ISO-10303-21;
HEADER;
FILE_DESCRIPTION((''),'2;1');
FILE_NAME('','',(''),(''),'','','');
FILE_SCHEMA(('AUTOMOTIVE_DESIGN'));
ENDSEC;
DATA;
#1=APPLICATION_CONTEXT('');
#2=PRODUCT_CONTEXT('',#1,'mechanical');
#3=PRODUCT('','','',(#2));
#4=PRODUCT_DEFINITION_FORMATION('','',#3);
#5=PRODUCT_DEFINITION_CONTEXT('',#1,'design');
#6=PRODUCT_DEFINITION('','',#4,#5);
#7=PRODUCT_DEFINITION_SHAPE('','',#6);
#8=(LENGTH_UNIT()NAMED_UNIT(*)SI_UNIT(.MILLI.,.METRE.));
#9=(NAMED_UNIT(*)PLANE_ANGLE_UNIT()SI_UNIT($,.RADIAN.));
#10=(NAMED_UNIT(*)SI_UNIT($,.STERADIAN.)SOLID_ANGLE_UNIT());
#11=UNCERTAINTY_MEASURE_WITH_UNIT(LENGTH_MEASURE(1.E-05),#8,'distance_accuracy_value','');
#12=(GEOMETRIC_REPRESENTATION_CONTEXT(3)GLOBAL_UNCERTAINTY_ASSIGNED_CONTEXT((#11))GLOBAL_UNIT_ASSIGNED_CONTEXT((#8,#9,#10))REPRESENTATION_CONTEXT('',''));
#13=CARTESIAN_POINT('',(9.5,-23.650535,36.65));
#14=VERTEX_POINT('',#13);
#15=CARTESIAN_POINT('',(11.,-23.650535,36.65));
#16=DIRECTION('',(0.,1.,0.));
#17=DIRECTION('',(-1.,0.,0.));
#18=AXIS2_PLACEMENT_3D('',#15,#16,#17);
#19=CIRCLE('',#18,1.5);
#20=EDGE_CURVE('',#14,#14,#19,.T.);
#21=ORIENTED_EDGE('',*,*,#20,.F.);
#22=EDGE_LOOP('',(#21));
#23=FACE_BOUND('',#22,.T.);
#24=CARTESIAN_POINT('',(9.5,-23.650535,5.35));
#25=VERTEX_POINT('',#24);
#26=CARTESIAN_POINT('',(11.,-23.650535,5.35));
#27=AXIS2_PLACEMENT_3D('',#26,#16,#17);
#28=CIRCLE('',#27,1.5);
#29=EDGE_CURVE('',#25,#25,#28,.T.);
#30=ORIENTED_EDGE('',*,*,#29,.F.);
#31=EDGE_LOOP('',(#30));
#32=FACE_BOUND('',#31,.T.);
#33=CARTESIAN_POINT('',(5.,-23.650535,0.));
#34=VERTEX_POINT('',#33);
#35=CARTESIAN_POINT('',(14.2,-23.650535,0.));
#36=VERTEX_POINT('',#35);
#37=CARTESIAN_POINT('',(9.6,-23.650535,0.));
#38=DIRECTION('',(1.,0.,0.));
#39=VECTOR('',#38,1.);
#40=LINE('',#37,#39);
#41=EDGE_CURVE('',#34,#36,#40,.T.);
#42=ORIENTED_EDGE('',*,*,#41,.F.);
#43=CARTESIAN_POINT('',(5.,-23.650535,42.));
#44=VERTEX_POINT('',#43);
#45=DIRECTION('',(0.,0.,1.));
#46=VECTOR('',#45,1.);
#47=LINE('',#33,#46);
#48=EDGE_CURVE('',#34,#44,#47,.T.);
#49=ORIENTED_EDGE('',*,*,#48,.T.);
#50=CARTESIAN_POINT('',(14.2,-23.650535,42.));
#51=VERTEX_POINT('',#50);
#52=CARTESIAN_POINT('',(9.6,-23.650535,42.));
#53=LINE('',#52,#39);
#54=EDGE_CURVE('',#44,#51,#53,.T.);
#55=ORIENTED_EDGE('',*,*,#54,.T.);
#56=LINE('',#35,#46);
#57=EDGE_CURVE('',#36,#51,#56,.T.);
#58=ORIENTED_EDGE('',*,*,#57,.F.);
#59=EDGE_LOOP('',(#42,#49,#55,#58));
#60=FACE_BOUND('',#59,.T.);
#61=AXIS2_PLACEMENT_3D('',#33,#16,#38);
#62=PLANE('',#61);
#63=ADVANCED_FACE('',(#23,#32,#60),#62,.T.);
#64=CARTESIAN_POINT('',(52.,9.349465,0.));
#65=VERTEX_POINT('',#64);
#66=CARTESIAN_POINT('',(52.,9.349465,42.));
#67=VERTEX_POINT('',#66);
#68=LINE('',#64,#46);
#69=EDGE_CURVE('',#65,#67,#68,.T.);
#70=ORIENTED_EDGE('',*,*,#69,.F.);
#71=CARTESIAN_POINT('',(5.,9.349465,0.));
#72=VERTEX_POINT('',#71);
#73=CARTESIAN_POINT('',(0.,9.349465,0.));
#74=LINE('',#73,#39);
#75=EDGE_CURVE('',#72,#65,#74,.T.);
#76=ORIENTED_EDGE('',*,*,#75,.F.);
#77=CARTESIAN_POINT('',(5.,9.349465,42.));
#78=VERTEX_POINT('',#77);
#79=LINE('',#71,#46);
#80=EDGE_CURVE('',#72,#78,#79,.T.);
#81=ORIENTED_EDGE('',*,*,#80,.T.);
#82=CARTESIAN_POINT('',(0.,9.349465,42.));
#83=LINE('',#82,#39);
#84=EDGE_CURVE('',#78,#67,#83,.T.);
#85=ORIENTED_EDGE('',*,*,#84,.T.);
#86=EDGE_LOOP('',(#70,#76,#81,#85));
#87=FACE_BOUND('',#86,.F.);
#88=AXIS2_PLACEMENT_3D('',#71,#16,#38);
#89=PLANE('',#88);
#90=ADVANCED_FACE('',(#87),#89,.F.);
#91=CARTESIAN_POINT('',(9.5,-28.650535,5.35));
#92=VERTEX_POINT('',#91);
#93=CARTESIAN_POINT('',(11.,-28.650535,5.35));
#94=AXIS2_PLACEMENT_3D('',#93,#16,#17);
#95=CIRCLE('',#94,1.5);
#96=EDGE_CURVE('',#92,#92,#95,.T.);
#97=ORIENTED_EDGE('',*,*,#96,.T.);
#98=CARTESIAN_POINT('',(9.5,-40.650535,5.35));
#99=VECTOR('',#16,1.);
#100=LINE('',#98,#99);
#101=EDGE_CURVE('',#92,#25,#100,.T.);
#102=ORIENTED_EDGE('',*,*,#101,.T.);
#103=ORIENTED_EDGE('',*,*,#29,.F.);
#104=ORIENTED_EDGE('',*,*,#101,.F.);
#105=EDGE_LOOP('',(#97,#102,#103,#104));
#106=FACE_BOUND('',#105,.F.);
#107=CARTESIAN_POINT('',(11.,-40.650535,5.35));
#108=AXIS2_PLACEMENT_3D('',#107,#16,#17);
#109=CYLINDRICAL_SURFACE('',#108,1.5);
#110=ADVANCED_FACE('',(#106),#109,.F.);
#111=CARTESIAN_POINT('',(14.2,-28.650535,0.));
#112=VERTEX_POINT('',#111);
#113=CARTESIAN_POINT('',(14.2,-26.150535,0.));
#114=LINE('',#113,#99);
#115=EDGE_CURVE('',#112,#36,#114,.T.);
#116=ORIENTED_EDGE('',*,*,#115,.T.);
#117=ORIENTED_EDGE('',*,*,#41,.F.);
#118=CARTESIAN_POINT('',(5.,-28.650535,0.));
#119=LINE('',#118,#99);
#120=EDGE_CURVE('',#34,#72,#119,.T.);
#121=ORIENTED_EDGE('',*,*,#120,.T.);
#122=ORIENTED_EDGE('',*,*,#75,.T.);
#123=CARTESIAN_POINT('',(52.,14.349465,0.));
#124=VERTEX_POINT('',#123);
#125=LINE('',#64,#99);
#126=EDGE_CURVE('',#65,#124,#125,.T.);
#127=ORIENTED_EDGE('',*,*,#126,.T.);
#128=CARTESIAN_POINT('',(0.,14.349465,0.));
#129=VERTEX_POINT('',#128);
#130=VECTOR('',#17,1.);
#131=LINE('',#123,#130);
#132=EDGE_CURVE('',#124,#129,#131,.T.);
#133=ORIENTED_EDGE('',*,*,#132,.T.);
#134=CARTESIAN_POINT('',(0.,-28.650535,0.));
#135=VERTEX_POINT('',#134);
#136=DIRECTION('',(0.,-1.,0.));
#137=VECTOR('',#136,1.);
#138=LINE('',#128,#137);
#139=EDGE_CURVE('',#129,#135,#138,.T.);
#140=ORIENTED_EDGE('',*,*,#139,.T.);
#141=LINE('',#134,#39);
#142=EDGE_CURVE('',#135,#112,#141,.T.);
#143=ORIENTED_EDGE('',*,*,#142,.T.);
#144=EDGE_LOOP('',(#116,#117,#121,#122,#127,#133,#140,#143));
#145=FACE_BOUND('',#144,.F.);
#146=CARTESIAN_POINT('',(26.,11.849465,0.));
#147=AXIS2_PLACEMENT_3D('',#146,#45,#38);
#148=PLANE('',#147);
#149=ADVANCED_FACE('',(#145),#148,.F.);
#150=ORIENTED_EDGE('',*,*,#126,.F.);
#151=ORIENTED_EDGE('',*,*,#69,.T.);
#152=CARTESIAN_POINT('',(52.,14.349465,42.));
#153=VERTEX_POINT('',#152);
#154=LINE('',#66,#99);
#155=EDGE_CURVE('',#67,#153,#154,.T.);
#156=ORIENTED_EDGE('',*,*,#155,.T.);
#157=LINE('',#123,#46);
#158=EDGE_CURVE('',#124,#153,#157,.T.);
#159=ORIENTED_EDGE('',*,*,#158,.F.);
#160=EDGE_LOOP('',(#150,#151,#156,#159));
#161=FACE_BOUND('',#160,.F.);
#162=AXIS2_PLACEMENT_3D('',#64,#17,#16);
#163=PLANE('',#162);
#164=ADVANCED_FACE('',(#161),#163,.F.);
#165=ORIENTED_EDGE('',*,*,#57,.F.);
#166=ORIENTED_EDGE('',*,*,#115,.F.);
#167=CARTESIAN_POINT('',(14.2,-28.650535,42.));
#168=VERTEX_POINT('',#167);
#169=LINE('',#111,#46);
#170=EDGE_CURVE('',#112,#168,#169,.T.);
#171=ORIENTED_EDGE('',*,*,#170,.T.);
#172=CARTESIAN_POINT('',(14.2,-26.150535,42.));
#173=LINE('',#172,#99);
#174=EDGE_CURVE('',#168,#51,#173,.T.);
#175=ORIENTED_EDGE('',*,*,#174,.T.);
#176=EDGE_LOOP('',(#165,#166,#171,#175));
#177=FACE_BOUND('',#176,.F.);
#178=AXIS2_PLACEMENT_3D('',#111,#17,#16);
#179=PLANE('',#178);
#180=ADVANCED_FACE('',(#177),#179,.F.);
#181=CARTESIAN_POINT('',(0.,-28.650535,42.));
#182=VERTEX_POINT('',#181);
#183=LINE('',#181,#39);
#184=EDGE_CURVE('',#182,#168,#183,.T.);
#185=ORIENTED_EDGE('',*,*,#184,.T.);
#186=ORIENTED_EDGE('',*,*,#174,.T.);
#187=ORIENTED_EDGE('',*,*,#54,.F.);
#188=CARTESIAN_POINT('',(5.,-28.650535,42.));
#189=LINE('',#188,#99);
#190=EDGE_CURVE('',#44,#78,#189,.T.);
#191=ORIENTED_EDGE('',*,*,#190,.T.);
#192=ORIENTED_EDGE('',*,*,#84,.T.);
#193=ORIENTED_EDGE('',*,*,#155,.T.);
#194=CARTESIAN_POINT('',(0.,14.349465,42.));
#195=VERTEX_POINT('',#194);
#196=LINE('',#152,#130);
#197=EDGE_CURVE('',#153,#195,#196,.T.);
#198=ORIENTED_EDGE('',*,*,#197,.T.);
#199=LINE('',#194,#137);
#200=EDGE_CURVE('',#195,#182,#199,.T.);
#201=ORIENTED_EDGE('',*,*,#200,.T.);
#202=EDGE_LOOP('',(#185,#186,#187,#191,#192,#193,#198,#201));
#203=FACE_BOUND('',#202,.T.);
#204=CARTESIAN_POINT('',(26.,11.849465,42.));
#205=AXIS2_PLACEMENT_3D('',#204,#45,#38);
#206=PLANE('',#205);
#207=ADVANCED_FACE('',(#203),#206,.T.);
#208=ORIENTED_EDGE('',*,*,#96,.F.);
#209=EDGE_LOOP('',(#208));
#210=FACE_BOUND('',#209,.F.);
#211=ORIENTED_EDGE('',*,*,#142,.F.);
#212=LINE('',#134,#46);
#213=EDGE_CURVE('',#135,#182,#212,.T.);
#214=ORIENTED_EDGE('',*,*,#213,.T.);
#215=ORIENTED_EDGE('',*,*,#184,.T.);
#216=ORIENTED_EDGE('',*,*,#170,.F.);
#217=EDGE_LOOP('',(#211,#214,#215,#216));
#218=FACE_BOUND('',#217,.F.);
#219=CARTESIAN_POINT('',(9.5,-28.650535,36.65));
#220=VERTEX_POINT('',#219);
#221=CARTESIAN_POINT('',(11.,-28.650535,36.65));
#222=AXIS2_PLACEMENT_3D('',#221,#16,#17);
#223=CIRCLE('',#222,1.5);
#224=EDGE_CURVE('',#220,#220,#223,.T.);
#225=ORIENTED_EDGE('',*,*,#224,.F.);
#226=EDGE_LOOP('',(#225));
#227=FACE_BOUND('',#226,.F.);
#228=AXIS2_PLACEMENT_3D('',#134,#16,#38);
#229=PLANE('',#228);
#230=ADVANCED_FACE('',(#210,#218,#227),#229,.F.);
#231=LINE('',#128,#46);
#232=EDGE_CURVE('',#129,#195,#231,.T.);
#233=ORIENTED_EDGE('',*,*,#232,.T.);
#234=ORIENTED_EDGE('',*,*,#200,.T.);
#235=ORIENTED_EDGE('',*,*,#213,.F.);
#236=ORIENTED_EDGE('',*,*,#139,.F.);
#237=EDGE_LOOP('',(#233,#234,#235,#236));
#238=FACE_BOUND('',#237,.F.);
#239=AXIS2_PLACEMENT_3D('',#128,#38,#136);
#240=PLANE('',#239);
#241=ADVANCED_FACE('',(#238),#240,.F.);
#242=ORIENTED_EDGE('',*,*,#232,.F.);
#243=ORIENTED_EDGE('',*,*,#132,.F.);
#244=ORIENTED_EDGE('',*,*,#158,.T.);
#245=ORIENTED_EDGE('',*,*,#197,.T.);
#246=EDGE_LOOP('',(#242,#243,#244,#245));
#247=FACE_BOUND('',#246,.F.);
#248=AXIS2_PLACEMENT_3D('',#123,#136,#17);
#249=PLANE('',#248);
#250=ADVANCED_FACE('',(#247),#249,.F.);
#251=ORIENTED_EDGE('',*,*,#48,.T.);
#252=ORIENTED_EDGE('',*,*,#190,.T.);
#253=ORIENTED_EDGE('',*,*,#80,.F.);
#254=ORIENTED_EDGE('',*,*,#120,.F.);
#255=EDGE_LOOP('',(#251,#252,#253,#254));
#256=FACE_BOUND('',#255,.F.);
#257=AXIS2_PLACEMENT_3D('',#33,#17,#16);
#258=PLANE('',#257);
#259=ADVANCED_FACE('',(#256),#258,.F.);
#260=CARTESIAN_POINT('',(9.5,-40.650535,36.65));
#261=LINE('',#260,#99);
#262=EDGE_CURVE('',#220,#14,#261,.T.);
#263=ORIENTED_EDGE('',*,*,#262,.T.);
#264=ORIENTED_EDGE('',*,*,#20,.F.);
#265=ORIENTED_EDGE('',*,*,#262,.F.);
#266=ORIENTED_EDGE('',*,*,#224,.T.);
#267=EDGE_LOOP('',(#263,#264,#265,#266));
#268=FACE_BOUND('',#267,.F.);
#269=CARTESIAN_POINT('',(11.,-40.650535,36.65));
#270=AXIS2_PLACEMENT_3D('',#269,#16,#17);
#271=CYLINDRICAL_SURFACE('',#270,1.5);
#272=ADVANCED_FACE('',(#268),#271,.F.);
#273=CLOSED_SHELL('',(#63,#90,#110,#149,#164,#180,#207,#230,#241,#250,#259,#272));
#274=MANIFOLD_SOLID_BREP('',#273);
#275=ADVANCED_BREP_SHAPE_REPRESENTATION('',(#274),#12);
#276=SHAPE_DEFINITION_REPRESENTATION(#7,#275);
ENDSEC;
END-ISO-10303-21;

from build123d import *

# Parameters (mm, degrees)
F0_W     = 9.2
F0_H     = 5
F1_DEPTH = 42
F3_D     = 3
F3_DEPTH = 12
F4_D     = 3
F4_DEPTH = 12


with BuildPart() as f1:
    # F0 (on Top) → F1 (new body)
    with BuildSketch(Plane.XY):
        Polygon((0, 14.349465), (0, 9.349465), (5, 9.349465), (52, 9.349465), (52, 14.349465), align=None)
        Polygon((5, 9.349465), (0, 9.349465), (0, -28.650535), (5, -28.650535), (5, -23.650535), align=None)
        with Locations((9.6, -26.150535)):
            Rectangle(F0_W, F0_H)
    extrude(amount=F1_DEPTH)

    # F3
    with Locations(Plane.XZ.offset(28.650535)):
        with Locations((11, 36.65)):
            Hole(F3_D / 2, depth=F3_DEPTH)

    # F4
    with Locations(Plane.XZ.offset(28.650535)):
        with Locations((11, 5.35)):
            Hole(F4_D / 2, depth=F4_DEPTH)


solid = f1.part
